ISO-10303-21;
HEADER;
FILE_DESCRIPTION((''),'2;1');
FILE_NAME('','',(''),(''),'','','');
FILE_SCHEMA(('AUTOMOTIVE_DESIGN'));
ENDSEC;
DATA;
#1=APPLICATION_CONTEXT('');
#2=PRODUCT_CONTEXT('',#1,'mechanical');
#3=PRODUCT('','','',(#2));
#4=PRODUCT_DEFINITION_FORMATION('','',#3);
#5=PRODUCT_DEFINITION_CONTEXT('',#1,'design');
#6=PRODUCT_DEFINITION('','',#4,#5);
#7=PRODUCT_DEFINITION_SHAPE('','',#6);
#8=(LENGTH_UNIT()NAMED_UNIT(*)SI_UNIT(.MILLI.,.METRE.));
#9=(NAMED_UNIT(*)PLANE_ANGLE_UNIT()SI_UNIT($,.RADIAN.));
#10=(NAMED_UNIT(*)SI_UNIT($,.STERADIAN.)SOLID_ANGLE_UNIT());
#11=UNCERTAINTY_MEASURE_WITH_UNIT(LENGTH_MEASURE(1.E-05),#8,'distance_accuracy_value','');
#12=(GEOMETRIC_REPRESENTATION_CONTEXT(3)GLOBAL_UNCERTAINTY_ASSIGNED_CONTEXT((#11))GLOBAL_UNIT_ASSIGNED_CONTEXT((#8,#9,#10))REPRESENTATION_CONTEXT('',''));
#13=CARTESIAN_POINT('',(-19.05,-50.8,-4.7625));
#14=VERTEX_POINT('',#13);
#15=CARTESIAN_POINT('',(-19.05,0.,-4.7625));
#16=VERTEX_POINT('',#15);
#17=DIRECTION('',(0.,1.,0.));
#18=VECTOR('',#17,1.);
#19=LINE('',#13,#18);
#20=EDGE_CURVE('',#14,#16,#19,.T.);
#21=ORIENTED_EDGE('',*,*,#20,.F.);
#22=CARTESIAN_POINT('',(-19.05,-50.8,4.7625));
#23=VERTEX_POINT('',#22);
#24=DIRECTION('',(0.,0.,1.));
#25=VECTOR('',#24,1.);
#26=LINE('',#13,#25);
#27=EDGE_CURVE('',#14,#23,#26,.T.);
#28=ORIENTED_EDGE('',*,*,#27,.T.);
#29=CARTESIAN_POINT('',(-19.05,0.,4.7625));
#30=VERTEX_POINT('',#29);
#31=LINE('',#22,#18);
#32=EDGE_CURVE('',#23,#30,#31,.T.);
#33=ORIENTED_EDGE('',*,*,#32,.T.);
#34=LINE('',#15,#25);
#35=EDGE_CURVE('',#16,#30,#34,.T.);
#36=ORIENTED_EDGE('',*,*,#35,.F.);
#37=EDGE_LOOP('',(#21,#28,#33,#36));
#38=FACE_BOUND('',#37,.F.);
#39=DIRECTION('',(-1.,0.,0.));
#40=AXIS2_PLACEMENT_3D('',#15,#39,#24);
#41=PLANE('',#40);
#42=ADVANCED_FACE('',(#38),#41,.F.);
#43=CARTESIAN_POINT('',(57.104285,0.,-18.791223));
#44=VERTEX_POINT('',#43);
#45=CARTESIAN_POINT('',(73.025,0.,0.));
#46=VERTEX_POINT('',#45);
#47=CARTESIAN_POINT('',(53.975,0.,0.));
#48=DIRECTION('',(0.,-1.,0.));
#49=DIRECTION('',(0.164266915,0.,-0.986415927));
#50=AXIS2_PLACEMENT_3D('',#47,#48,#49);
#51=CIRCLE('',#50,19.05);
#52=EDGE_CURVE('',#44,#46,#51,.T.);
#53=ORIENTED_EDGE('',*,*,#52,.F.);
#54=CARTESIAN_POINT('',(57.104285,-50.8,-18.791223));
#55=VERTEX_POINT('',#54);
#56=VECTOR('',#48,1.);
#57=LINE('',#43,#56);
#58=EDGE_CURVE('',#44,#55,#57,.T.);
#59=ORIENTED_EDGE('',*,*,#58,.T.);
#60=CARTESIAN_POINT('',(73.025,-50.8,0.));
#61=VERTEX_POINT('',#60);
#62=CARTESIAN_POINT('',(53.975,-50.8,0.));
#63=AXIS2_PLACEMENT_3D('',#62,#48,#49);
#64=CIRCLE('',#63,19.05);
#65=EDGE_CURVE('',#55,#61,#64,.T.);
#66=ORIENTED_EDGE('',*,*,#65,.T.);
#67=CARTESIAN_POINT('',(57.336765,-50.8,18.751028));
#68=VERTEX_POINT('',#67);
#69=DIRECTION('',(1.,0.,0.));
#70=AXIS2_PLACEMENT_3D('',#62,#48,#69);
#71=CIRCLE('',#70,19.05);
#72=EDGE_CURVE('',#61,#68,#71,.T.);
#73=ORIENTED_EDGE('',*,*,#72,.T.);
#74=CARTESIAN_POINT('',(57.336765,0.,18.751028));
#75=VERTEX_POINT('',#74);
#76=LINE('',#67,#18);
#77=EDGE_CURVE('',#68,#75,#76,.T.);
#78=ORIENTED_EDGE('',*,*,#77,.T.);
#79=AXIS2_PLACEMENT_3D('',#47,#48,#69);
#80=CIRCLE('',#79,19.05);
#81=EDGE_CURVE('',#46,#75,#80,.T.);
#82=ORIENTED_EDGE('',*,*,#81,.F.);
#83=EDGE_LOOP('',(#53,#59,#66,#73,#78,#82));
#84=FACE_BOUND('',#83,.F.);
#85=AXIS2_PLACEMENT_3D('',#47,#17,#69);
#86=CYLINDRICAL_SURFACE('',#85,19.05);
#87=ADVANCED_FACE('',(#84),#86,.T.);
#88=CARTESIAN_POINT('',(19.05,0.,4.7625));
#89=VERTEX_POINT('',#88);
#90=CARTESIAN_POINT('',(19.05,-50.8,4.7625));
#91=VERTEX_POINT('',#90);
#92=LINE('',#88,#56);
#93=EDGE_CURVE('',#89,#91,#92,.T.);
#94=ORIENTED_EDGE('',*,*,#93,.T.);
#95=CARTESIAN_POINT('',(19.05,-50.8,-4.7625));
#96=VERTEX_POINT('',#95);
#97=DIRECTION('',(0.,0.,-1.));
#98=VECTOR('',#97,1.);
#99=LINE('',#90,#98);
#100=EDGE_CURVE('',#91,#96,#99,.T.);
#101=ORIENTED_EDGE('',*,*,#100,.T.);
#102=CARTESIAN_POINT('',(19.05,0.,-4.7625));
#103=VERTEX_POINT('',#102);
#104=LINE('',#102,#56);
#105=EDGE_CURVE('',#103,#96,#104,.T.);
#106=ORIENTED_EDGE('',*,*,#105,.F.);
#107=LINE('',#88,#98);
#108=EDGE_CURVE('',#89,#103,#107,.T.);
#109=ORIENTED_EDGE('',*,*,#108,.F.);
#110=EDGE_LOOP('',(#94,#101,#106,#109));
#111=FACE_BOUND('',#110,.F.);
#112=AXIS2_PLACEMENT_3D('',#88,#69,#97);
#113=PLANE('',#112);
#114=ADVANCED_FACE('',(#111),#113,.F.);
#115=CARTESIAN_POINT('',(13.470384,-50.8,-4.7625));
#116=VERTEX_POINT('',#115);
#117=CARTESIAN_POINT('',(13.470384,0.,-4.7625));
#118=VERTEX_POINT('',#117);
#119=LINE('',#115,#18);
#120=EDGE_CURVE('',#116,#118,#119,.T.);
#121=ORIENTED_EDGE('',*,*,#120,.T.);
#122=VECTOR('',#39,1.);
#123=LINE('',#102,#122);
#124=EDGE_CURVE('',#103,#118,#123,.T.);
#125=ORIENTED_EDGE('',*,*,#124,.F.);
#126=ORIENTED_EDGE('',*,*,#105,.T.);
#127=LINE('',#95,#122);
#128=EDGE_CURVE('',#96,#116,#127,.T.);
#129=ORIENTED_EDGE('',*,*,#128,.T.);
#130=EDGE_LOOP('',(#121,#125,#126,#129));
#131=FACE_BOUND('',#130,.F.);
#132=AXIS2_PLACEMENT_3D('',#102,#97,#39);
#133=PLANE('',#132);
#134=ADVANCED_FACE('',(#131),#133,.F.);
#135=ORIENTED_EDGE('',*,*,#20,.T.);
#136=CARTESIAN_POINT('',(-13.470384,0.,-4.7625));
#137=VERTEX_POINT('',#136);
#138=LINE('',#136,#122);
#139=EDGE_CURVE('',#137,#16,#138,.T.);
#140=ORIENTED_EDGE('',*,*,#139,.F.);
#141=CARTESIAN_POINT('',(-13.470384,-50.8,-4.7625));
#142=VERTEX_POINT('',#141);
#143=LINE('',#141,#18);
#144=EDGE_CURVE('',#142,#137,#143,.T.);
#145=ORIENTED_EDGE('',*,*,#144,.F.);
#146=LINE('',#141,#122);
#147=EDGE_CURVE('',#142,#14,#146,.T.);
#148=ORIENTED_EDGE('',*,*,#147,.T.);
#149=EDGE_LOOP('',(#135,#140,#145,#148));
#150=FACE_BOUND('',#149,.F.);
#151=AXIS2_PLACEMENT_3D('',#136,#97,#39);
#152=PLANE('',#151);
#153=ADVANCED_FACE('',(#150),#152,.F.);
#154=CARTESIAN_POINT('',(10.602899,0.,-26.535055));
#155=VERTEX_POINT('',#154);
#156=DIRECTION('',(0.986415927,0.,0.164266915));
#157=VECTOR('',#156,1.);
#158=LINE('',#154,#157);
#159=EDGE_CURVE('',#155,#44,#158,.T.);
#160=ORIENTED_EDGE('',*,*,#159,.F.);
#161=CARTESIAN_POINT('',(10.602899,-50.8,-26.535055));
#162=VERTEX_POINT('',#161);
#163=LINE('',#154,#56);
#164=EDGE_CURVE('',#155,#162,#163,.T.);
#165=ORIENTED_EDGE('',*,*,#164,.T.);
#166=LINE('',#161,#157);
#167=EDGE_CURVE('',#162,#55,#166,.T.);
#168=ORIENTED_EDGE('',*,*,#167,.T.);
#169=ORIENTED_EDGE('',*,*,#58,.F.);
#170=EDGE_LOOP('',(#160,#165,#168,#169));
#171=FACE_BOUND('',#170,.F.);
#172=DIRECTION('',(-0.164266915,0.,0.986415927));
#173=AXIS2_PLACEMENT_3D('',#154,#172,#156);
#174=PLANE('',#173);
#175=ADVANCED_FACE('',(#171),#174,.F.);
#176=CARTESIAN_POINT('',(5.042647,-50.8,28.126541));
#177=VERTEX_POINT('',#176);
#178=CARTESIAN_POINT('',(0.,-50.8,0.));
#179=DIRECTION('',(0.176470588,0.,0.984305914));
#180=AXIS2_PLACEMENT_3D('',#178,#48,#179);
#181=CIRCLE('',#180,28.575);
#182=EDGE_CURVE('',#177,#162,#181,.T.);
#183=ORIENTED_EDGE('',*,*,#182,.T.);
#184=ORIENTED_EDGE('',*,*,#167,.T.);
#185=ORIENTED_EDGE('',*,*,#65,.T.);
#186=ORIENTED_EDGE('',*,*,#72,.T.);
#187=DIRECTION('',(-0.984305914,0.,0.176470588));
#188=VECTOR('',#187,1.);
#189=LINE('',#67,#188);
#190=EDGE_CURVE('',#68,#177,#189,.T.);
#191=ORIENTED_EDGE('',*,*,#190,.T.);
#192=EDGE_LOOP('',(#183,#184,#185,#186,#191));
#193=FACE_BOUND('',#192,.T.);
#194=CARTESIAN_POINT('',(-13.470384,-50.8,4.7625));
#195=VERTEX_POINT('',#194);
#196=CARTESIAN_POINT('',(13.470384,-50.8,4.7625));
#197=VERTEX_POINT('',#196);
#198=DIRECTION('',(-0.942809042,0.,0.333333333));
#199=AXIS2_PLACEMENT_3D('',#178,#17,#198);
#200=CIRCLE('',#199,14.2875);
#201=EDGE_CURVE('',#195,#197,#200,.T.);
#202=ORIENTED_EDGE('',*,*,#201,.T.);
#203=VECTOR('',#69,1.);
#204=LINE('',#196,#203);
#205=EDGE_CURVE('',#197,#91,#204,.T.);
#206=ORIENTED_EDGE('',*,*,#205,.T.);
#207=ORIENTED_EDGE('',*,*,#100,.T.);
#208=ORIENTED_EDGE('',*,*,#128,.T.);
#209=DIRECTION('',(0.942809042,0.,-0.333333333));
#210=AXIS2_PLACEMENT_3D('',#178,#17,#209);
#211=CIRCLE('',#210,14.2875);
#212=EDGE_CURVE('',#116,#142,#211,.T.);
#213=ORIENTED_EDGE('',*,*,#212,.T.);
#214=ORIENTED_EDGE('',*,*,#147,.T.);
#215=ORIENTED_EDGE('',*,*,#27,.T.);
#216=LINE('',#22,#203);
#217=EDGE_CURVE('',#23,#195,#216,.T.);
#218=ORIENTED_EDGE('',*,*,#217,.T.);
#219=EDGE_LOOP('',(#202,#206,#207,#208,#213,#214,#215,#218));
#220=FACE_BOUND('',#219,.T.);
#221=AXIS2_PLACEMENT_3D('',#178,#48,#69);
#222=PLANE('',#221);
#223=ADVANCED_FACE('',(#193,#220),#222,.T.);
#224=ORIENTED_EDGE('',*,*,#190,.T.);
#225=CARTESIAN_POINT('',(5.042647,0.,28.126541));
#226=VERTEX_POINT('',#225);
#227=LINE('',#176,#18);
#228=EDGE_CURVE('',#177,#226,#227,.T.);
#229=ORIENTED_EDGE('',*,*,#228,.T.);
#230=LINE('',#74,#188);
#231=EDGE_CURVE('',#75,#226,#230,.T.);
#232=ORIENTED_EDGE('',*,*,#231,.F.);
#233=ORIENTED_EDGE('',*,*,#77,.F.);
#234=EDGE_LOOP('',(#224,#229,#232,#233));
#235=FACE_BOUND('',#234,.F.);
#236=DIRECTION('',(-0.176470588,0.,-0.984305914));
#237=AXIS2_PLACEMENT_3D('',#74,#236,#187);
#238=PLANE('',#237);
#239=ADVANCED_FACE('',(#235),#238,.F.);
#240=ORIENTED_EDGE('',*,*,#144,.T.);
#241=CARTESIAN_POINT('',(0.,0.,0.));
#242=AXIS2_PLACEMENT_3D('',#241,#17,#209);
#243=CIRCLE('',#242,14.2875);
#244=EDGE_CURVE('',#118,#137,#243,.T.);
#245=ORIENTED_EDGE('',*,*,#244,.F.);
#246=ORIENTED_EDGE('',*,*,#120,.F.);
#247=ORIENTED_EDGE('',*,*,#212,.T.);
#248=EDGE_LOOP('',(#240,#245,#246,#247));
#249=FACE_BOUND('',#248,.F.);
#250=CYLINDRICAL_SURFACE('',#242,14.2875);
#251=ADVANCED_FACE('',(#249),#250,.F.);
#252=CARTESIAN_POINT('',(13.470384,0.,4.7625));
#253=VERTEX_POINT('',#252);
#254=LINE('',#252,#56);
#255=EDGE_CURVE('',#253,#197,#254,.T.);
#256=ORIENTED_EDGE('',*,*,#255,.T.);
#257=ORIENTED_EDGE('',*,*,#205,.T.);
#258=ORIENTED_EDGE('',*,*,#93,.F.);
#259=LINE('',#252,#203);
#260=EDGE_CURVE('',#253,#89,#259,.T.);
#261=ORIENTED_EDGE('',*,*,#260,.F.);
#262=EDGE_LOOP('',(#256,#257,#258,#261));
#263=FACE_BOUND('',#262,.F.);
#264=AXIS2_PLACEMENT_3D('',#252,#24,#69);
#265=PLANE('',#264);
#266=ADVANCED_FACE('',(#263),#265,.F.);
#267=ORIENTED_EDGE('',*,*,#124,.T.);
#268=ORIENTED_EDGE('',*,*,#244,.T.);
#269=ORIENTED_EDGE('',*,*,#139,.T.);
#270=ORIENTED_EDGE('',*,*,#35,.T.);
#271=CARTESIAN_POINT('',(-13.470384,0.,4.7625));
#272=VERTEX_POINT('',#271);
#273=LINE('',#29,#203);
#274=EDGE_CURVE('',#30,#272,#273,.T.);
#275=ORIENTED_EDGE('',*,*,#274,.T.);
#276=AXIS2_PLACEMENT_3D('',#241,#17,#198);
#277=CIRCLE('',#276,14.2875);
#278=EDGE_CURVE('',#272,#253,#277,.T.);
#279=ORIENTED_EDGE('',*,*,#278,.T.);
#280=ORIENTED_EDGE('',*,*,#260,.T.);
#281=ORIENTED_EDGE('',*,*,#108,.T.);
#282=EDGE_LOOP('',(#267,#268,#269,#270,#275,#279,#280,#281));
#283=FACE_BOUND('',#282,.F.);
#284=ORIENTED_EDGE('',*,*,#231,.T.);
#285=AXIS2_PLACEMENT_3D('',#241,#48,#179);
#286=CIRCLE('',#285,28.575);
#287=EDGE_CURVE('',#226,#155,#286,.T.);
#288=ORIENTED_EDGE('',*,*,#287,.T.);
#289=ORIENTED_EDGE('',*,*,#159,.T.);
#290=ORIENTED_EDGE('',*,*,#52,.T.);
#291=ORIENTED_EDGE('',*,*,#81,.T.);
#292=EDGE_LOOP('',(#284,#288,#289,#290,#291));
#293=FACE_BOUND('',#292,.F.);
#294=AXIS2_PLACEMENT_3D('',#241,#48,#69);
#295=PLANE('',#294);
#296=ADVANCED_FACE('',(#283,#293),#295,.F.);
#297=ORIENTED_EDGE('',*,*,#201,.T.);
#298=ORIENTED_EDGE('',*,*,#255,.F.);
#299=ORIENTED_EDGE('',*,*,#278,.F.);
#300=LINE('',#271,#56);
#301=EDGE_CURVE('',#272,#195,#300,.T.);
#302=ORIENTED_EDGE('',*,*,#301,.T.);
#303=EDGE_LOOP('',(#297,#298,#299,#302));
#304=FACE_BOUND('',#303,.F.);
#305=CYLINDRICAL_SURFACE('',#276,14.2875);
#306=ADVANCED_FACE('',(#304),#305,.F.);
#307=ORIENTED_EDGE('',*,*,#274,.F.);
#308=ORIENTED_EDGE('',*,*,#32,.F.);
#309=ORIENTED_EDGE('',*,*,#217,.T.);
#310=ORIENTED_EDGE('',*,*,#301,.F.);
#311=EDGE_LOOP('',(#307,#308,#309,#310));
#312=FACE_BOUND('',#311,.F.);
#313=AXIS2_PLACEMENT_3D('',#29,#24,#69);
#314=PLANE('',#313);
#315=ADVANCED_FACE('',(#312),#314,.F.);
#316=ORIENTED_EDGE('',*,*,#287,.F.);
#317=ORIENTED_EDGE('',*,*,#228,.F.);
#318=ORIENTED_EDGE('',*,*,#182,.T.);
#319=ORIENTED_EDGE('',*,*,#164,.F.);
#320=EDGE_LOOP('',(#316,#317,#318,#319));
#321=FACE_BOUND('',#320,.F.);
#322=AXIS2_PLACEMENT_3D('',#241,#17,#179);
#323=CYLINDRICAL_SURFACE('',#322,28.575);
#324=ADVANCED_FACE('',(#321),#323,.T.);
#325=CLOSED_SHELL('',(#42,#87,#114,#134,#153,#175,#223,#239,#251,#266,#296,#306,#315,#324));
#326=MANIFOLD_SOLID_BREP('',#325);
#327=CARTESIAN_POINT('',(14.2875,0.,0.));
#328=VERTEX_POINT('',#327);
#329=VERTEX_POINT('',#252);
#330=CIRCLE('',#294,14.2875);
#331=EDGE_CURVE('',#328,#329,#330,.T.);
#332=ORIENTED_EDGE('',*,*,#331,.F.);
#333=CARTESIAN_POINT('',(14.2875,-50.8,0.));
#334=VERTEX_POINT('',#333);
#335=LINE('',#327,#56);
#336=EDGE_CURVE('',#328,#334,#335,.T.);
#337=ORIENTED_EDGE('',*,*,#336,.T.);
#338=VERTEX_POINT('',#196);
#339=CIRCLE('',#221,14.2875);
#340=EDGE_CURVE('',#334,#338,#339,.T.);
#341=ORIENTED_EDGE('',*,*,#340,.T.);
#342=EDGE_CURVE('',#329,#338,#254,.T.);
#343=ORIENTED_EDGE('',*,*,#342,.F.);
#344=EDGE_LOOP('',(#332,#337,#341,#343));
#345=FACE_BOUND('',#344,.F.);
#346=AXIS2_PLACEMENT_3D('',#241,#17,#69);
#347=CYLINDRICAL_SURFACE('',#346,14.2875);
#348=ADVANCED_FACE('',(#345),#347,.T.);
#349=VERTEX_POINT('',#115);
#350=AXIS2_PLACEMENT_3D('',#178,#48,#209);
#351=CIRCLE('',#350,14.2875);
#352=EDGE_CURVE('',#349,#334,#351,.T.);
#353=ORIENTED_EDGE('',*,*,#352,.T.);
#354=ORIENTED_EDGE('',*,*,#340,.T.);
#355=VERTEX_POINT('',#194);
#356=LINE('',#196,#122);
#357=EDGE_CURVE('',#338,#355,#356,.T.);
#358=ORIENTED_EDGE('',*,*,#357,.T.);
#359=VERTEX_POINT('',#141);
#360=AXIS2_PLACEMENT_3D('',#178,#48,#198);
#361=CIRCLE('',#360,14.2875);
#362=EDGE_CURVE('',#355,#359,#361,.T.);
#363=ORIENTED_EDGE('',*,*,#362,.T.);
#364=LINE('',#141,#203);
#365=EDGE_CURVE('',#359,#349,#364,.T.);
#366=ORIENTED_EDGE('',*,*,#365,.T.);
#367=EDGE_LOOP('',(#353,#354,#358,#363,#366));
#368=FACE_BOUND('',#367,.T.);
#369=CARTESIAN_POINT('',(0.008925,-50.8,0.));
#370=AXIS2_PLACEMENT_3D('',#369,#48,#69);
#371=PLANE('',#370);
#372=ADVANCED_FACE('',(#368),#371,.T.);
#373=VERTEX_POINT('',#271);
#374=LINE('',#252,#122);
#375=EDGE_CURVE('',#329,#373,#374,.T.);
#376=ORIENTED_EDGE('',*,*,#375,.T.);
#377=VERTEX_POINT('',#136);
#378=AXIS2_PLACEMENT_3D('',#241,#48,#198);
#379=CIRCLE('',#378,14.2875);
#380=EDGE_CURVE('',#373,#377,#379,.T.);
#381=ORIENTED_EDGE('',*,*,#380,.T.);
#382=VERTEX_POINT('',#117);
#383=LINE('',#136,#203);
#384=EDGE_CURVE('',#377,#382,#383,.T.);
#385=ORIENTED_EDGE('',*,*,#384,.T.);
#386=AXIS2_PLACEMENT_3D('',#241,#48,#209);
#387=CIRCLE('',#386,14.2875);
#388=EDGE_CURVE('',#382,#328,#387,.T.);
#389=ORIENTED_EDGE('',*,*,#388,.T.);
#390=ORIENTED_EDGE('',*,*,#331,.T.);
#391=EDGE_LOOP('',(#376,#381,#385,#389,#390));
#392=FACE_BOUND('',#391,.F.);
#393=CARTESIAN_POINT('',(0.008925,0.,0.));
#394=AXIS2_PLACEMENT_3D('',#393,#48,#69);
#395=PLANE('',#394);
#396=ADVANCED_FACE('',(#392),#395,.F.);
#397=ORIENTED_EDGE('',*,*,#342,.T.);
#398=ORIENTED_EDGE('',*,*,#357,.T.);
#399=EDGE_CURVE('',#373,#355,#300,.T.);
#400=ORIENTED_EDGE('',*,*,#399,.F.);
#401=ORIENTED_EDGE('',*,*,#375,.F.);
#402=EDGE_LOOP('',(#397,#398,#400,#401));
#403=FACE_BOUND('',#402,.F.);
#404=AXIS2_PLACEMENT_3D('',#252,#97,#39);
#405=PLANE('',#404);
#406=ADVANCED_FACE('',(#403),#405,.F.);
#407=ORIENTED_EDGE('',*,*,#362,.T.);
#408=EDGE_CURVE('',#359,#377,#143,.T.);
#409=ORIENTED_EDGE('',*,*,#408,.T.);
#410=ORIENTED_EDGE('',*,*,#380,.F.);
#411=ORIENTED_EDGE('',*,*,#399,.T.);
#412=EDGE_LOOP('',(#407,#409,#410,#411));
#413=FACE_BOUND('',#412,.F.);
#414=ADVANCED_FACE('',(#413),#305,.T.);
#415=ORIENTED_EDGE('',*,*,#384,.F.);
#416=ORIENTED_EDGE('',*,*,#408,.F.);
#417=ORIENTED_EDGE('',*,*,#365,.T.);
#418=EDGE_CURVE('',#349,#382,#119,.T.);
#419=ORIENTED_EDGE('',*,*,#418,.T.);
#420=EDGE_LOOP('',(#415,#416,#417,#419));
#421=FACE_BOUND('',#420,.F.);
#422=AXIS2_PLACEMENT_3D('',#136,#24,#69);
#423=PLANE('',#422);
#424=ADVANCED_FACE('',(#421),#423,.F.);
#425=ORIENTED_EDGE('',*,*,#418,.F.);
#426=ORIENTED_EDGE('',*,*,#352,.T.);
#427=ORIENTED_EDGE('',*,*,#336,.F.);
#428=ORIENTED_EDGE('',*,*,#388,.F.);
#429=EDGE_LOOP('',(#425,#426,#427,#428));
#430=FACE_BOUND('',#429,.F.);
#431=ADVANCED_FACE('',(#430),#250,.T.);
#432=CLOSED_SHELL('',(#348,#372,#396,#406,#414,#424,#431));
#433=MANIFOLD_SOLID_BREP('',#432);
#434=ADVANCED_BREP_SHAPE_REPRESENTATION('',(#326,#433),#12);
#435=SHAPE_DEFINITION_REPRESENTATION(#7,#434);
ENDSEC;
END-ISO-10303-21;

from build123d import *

# Parameters (mm, degrees)
F0_R     = 14.2875
F1_DEPTH = 25.4
F2_DEPTH = 50.8


with BuildPart() as f1:
    # F0 (on Front) → F1 (new body)
    with BuildSketch(Plane.XZ):
        with BuildLine():
            ThreePointArc((10.6028986019, -26.5350554218), (23.6591256448, -16.0242440921), (28.575, 0))
            ThreePointArc((28.575, 0), (21.9160245563, 18.3362616868), (5.0426470588, 28.1265414802))
            ThreePointArc((5.0426470588, 28.1265414802), (-28.428301369, -2.8917652523), (10.6028986019, -26.5350554218))
        make_face()
        with BuildLine():
            ThreePointArc((-13.4703841816, 4.7625), (0, 14.2875), (13.4703841816, 4.7625))
            Line((13.4703841816, 4.7625), (19.05, 4.7625))
            Line((19.05, 4.7625), (19.05, -4.7625))
            Line((19.05, -4.7625), (13.4703841816, -4.7625))
            ThreePointArc((13.4703841816, -4.7625), (0, -14.2875), (-13.4703841816, -4.7625))
            Line((-13.4703841816, -4.7625), (-19.05, -4.7625))
            Line((-19.05, -4.7625), (-19.05, 4.7625))
            Line((-19.05, 4.7625), (-13.4703841816, 4.7625))
        make_face(mode=Mode.SUBTRACT)
        with BuildLine():
            ThreePointArc((5.0426470588, 28.1265414802), (21.9160245563, 18.3362616868), (28.575, 0))
            ThreePointArc((28.575, 0), (23.6591256448, -16.0242440921), (10.6028986019, -26.5350554218))
            Line((10.6028986019, -26.5350554218), (57.1042847279, -18.7912234059))
            ThreePointArc((57.1042847279, -18.7912234059), (34.9253652439, 0.1179646543), (57.3367647059, 18.7510276535))
            Line((57.3367647059, 18.7510276535), (5.0426470588, 28.1265414802))
        make_face()
        with BuildLine():
            ThreePointArc((73.025, 0), (68.5856830375, 12.2241744579), (57.3367647059, 18.7510276535))
            ThreePointArc((57.3367647059, 18.7510276535), (34.9253652439, 0.1179646543), (57.1042847279, -18.7912234059))
            ThreePointArc((57.1042847279, -18.7912234059), (68.5097062933, -12.3144148447), (73.025, 0))
        make_face()
        with Locations((53.975, 0)):
            Circle(F0_R, mode=Mode.SUBTRACT)
    extrude(amount=F1_DEPTH)

    # F0 (on Front) → F2 (join)
    with BuildSketch(Plane.XZ):
        with BuildLine():
            ThreePointArc((10.6028986019, -26.5350554218), (23.6591256448, -16.0242440921), (28.575, 0))
            ThreePointArc((28.575, 0), (21.9160245563, 18.3362616868), (5.0426470588, 28.1265414802))
            ThreePointArc((5.0426470588, 28.1265414802), (-28.428301369, -2.8917652523), (10.6028986019, -26.5350554218))
        make_face()
        with BuildLine():
            ThreePointArc((-13.4703841816, 4.7625), (0, 14.2875), (13.4703841816, 4.7625))
            Line((13.4703841816, 4.7625), (19.05, 4.7625))
            Line((19.05, 4.7625), (19.05, -4.7625))
            Line((19.05, -4.7625), (13.4703841816, -4.7625))
            ThreePointArc((13.4703841816, -4.7625), (0, -14.2875), (-13.4703841816, -4.7625))
            Line((-13.4703841816, -4.7625), (-19.05, -4.7625))
            Line((-19.05, -4.7625), (-19.05, 4.7625))
            Line((-19.05, 4.7625), (-13.4703841816, 4.7625))
        make_face(mode=Mode.SUBTRACT)
        with BuildLine():
            ThreePointArc((73.025, 0), (68.5856830375, 12.2241744579), (57.3367647059, 18.7510276535))
            ThreePointArc((57.3367647059, 18.7510276535), (34.9253652439, 0.1179646543), (57.1042847279, -18.7912234059))
            ThreePointArc((57.1042847279, -18.7912234059), (68.5097062933, -12.3144148447), (73.025, 0))
        make_face()
        with Locations((53.975, 0)):
            Circle(F0_R, mode=Mode.SUBTRACT)
        with BuildLine():
            ThreePointArc((5.0426470588, 28.1265414802), (21.9160245563, 18.3362616868), (28.575, 0))
            ThreePointArc((28.575, 0), (23.6591256448, -16.0242440921), (10.6028986019, -26.5350554218))
            Line((10.6028986019, -26.5350554218), (57.1042847279, -18.7912234059))
            ThreePointArc((57.1042847279, -18.7912234059), (34.9253652439, 0.1179646543), (57.3367647059, 18.7510276535))
            Line((57.3367647059, 18.7510276535), (5.0426470588, 28.1265414802))
        make_face()
        with Locations((53.975, 0)):
            Circle(F0_R)
        with BuildLine():
            ThreePointArc((13.4703841816, -4.7625), (14.081739421, -2.416044521), (14.2875, 0))
            ThreePointArc((14.2875, 0), (14.081739421, 2.416044521), (13.4703841816, 4.7625))
            Line((13.4703841816, 4.7625), (-13.4703841816, 4.7625))
            ThreePointArc((-13.4703841816, 4.7625), (-14.2875, 0), (-13.4703841816, -4.7625))
            Line((-13.4703841816, -4.7625), (13.4703841816, -4.7625))
        make_face()
    extrude(amount=F2_DEPTH)


solid = f1.part
